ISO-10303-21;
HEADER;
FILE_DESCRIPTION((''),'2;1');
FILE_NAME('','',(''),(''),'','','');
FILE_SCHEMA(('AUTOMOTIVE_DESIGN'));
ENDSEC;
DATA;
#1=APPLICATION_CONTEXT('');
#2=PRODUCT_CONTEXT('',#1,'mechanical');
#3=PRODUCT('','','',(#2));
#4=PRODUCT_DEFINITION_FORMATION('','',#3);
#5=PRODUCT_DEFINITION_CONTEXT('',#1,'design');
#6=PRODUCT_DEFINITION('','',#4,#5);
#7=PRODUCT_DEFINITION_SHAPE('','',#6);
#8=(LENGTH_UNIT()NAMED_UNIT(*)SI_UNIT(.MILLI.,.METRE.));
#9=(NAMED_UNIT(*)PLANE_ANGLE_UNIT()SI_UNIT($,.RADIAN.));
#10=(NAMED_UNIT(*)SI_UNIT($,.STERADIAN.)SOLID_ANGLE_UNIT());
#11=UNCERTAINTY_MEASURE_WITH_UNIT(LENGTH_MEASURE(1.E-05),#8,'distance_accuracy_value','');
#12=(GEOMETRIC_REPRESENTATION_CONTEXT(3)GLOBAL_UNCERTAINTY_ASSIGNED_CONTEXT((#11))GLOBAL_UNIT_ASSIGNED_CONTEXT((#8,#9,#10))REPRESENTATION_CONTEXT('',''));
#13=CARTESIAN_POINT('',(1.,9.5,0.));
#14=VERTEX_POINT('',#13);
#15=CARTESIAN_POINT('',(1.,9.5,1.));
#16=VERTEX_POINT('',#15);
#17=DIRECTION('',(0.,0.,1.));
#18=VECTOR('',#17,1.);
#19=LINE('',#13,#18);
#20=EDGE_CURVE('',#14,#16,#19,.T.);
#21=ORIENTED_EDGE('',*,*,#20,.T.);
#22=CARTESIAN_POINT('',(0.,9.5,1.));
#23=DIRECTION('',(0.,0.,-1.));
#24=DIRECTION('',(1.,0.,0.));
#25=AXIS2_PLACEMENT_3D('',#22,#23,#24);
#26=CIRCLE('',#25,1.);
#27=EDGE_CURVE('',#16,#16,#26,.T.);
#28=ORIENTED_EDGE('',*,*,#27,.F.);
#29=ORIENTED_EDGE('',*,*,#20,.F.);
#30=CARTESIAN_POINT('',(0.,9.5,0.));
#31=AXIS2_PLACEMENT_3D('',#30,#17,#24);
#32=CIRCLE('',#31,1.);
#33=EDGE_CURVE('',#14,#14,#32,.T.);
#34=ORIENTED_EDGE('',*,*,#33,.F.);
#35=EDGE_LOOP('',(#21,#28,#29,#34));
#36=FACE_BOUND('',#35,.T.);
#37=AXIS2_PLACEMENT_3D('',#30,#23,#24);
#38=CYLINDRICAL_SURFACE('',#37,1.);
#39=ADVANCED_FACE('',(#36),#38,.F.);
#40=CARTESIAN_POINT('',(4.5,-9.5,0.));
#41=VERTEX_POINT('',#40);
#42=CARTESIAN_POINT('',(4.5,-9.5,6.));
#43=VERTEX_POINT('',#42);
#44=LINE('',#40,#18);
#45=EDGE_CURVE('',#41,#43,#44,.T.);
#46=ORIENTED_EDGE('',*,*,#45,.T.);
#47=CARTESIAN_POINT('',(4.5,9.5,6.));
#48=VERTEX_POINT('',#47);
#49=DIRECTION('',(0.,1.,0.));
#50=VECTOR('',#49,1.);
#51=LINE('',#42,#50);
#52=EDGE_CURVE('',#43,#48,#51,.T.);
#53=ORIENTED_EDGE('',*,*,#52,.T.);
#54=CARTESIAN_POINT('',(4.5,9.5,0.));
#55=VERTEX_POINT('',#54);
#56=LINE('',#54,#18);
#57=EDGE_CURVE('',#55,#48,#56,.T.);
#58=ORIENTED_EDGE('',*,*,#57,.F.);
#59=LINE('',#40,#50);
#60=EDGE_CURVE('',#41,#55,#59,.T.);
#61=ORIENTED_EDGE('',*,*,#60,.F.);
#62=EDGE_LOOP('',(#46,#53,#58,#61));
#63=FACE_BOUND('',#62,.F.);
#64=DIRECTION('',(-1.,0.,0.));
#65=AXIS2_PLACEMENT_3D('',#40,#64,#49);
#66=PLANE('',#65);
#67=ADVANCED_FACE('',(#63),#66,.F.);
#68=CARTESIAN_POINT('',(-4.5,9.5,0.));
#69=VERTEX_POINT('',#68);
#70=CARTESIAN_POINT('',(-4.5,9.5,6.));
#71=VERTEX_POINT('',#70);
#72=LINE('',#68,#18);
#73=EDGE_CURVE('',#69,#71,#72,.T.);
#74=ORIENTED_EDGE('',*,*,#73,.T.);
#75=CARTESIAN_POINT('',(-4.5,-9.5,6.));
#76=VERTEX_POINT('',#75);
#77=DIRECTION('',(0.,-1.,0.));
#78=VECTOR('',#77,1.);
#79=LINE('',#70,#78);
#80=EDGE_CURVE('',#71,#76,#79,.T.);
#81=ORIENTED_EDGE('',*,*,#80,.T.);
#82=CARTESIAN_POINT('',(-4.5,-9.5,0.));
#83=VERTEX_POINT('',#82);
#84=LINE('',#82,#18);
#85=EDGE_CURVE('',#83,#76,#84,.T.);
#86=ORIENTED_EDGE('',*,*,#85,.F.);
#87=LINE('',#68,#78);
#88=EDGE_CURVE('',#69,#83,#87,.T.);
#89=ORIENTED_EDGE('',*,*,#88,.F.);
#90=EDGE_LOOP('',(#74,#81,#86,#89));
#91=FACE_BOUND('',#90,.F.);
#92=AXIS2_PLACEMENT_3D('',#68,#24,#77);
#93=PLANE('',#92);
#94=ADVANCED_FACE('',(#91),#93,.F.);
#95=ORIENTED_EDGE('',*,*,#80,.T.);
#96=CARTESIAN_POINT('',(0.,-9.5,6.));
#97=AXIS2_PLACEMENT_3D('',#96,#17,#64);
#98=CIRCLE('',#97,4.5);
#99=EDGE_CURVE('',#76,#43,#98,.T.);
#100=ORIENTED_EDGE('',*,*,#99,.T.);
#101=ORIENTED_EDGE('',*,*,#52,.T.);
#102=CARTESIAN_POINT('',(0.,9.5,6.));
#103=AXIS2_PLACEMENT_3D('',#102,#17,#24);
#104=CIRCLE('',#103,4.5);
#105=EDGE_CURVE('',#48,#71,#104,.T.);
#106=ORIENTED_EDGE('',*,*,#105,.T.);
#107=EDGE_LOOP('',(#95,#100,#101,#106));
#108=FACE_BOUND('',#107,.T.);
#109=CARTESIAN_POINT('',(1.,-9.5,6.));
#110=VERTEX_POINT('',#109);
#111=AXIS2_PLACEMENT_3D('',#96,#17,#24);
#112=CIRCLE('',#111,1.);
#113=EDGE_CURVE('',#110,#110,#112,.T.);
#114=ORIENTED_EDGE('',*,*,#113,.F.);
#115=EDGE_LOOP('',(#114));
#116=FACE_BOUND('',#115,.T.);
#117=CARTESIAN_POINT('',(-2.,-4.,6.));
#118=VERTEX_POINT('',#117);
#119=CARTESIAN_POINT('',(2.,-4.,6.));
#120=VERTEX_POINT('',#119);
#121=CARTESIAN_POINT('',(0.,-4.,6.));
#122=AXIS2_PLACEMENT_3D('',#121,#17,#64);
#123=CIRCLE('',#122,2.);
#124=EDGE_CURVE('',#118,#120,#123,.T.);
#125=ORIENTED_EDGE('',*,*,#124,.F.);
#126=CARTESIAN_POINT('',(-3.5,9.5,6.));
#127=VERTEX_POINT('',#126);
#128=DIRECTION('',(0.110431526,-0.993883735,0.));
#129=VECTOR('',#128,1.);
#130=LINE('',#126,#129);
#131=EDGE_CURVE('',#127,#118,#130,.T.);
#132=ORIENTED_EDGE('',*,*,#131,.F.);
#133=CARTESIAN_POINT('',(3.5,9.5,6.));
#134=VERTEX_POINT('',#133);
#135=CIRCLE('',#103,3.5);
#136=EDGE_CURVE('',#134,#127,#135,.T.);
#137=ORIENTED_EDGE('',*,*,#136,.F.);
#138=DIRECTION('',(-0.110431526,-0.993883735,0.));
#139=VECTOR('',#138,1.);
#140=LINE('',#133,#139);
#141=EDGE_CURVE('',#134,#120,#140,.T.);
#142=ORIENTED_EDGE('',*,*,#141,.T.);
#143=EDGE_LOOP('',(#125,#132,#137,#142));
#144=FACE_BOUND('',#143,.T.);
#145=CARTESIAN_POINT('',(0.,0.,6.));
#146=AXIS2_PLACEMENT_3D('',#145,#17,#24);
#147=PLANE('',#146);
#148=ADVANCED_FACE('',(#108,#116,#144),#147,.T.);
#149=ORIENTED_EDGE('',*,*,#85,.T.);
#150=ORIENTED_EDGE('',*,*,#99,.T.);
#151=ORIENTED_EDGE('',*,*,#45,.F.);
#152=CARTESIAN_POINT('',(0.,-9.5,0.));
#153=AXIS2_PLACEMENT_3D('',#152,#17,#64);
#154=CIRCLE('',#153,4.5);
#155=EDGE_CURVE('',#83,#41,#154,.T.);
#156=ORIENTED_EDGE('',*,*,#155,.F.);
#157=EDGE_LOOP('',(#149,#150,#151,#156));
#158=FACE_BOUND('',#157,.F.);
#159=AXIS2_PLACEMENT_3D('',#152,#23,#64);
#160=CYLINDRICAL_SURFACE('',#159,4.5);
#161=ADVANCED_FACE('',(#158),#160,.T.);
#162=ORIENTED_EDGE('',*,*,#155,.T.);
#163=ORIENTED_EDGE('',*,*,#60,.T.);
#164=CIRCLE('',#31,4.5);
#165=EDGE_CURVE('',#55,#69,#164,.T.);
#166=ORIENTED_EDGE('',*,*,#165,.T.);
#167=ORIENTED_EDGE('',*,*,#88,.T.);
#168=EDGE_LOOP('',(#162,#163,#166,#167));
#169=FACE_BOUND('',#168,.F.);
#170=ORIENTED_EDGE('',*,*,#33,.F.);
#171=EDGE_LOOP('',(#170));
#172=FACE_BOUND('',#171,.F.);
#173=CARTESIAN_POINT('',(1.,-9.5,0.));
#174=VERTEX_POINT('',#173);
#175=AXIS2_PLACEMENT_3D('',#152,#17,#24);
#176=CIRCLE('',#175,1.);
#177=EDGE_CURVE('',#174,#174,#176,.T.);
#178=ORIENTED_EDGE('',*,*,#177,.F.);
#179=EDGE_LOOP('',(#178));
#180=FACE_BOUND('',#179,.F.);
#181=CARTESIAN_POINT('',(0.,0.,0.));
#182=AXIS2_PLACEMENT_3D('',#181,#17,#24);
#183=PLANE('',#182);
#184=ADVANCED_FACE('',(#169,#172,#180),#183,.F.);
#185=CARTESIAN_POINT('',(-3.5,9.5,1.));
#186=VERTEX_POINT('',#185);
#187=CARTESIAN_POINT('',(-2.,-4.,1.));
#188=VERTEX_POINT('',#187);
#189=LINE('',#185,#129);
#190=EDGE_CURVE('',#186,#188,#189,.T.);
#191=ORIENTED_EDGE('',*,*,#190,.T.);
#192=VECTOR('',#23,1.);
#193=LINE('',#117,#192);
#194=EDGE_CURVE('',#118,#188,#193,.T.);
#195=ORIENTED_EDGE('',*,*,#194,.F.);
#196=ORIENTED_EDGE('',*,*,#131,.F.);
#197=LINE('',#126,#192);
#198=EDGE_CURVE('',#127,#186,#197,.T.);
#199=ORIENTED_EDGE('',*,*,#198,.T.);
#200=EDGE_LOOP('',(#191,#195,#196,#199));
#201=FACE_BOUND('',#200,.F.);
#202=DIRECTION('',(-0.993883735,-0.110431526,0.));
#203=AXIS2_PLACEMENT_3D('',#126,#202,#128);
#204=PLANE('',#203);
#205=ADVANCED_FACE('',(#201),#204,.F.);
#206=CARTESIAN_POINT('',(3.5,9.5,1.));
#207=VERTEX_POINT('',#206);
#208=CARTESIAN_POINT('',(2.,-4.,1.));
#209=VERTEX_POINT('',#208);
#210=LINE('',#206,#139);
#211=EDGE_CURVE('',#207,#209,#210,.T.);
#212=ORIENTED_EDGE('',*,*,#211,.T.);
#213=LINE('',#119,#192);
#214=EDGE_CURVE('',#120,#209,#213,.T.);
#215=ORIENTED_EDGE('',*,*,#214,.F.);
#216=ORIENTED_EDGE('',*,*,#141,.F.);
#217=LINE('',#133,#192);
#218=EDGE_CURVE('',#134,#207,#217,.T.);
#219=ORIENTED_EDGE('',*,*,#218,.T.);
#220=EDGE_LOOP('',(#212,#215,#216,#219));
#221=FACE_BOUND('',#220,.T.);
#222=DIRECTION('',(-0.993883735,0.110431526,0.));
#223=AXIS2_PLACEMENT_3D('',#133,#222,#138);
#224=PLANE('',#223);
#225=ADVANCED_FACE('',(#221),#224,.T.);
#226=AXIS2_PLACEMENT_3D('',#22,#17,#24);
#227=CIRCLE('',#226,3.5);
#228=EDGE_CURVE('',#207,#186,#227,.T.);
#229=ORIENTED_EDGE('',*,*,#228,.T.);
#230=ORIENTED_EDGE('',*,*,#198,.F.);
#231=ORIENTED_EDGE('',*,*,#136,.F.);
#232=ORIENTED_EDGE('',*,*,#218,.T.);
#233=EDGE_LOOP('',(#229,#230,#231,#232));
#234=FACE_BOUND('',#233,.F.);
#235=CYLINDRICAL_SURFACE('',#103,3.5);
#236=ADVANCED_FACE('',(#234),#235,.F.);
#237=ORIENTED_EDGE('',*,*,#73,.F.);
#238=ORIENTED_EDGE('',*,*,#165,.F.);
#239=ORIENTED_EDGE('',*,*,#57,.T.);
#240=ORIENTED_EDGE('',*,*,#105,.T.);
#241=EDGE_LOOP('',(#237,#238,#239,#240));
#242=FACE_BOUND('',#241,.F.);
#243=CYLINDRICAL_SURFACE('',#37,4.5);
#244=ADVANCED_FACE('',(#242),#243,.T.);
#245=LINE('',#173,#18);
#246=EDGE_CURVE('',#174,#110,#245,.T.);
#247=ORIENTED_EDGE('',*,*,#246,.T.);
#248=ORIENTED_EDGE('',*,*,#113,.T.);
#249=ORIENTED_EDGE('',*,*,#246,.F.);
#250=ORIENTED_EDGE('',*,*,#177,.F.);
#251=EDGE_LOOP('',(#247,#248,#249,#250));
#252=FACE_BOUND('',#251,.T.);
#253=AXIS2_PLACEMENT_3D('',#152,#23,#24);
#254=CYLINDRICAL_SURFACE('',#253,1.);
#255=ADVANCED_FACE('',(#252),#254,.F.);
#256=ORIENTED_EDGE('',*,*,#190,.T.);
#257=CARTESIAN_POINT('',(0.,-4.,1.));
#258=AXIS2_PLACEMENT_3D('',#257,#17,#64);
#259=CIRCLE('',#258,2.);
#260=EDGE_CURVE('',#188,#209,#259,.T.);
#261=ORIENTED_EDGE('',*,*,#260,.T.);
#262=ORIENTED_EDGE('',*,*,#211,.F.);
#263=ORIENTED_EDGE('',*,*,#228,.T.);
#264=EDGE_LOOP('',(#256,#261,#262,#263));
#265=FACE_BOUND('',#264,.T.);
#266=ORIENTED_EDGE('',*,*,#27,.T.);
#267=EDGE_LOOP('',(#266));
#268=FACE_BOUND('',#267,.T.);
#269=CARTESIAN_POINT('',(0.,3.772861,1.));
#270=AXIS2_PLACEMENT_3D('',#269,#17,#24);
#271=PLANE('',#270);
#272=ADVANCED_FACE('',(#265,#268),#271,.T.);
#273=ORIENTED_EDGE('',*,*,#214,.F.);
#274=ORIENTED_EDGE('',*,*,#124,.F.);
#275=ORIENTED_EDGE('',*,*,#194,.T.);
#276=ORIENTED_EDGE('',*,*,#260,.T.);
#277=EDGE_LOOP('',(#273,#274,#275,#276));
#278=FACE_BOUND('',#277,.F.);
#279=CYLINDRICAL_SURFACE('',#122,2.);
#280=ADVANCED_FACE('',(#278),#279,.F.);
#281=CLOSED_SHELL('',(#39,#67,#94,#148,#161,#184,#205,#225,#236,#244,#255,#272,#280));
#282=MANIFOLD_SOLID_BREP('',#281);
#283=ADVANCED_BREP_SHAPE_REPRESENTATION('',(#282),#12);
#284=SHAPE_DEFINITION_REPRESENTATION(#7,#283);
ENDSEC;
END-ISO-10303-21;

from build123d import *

# Parameters (mm, degrees)
SKETCH_R     = 1
PAD_DEPTH    = 6
POCKET_DEPTH = 5


with BuildPart() as part:
    # Sketch → Pad (new body)
    with BuildSketch(Plane.XY):
        with BuildLine():
            ThreePointArc((4.5, 9.5), (0, 14), (-4.5, 9.5))
            Line((-4.5, 9.5), (-4.5, -9.5))
            ThreePointArc((-4.5, -9.5), (0, -14), (4.5, -9.5))
            Line((4.5, -9.5), (4.5, 9.5))
        make_face()
        with Locations((0, 9.5)):
            Circle(SKETCH_R, mode=Mode.SUBTRACT)
        with Locations((0, -9.5)):
            Circle(SKETCH_R, mode=Mode.SUBTRACT)
    extrude(amount=PAD_DEPTH)

    # Sketch001 (on Face8 of Pad) → Pocket (cut)
    with BuildSketch(Plane.XY.offset(6)):
        with BuildLine():
            ThreePointArc((3.5, 9.5), (0, 13), (-3.5, 9.5))
            Line((-3.5, 9.5), (-2, -4))
            ThreePointArc((-2, -4), (0, -6), (2, -4))
            Line((3.5, 9.5), (2, -4))
        make_face()
    extrude(amount=-POCKET_DEPTH, mode=Mode.SUBTRACT)


solid = part.part
